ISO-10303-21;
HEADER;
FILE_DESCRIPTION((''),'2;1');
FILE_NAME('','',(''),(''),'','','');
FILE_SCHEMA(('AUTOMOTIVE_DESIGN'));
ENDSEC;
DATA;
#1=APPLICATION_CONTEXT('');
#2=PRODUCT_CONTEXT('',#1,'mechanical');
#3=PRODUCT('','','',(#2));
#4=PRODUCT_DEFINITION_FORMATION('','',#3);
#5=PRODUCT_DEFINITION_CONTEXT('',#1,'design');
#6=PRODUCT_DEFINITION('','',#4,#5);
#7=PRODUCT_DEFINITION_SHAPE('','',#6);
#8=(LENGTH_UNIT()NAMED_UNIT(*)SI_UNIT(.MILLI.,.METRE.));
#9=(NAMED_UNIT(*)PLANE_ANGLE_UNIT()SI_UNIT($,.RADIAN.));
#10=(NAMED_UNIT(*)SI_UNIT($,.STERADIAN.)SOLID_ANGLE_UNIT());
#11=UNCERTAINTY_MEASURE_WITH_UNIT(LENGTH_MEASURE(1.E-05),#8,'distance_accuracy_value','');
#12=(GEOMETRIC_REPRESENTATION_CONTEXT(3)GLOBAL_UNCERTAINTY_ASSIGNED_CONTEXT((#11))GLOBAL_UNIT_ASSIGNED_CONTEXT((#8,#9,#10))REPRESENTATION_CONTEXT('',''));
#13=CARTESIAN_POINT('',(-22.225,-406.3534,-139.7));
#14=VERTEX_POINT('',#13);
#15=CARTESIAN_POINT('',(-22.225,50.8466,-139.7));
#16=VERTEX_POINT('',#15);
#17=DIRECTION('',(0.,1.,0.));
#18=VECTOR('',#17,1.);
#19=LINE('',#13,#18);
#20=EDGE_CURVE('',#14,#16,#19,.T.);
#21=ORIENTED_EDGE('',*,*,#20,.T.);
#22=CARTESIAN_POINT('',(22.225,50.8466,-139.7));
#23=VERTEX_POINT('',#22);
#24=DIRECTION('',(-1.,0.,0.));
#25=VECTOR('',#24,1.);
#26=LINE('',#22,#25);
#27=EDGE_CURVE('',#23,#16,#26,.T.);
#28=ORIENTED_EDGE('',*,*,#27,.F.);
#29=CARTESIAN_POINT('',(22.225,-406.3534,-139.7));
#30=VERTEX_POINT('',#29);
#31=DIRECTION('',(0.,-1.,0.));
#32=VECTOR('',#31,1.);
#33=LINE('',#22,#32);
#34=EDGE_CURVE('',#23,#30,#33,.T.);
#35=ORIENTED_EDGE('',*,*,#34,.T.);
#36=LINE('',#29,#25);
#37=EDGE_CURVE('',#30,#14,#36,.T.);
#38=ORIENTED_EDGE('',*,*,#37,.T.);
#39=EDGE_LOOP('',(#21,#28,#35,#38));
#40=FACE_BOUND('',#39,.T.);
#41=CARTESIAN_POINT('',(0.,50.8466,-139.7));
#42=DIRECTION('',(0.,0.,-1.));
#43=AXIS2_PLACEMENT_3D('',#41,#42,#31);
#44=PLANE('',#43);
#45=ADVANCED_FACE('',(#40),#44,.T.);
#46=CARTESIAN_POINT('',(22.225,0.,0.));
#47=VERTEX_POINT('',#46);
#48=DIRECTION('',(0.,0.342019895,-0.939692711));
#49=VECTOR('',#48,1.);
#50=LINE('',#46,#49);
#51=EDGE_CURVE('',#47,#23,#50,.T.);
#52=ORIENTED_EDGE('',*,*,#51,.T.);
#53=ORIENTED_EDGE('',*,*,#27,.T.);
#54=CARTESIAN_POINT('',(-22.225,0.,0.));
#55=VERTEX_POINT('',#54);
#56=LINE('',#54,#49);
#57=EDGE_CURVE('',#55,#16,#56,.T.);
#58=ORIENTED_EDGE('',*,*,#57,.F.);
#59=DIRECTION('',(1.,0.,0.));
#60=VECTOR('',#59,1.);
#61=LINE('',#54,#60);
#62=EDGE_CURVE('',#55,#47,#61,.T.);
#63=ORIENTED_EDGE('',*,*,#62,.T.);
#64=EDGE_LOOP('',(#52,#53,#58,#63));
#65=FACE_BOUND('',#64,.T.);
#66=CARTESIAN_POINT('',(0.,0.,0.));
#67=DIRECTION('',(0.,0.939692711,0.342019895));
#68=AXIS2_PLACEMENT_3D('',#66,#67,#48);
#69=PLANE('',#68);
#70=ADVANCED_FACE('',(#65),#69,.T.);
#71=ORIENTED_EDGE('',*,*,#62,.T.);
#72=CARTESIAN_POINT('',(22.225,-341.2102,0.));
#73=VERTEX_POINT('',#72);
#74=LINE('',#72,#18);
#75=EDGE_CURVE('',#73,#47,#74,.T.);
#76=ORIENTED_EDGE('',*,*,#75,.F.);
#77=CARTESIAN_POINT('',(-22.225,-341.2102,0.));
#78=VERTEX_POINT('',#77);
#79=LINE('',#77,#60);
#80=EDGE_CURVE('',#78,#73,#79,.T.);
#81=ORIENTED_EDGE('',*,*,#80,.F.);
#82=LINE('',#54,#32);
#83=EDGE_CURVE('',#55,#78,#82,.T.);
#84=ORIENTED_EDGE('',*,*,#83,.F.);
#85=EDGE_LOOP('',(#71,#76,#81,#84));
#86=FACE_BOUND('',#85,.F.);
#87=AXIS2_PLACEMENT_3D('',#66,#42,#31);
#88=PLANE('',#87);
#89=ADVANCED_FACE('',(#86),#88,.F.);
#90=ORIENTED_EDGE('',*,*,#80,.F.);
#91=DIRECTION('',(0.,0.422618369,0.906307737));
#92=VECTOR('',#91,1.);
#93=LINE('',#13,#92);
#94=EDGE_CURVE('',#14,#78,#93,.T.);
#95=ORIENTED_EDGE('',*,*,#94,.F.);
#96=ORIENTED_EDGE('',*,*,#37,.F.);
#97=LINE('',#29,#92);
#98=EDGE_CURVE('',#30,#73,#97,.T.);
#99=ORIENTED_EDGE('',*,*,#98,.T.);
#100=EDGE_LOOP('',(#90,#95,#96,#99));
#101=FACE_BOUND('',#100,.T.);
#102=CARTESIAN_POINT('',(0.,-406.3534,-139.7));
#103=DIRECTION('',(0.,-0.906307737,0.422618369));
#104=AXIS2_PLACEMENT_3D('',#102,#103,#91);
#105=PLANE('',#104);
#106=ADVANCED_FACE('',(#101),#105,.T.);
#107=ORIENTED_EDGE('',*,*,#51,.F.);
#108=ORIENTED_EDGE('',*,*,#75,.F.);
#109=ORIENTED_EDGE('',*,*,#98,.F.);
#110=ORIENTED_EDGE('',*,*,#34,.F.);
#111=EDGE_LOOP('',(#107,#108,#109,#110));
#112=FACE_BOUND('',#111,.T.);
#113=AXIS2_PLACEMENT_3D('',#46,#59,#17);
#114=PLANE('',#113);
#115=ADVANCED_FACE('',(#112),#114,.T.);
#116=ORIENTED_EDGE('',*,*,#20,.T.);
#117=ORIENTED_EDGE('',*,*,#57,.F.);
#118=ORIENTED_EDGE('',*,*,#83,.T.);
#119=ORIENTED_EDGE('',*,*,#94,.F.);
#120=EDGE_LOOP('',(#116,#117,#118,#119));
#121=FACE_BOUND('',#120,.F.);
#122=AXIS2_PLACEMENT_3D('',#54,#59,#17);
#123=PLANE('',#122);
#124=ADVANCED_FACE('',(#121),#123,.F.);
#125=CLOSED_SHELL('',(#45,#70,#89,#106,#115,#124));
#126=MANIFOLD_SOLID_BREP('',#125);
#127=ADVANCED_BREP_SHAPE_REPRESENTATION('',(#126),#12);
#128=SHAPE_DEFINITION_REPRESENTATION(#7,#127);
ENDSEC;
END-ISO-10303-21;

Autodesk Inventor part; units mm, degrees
ref_plane "YZ Plane" through (0, 0, 0) normal (1, 0, 0) x (0, 1, 0)
ref_plane "XZ Plane" through (0, 0, 0) normal (0, 1, 0) x (-1, 0, 0)
sketch "Sketch4" plane through (0, 0, 0) normal (1, 0, 0) x (0, 1, 0)
  line L0 (0, 0) -> (-341.2102, 0)
  line L1 (-341.2102, 0) -> (-246.4184, 0)
  line L2 (-406.3534, -139.7) -> (-50.8466, -139.7)
  line L3 (0, 0) -> (50.8466, -139.7)
  line L4 (50.8466, -139.7) -> (-50.8466, -139.7)
  line L5 (-406.3534, -139.7) -> (-341.2102, 0)
  dimension "d17" = 110
  dimension "d19" = 65
  dimension "d20" = 139.7
  dimension "d21" = 457.2
extrude "Extrusion3" add sketch "Sketch4" along normal mid plane 44.45
ref_plane "Work Plane2" through (0, 0, -69.85) normal (0, 0, 1) x (1, 0, 0)
equation "\"d20\" = depth"
equation "\"d21\" = length"
equation "\"d15\" = width"
equation "\"width\" = 44.45"
equation "\"depth\" = 139.7"
equation "\"d18\" = -0.5 * depth"
equation "\"topAngle\" = 20deg"
equation "\"bottomAngle\" = 25deg"
equation "\"length\" = 457.2"
properties part number "2x6SupportBracket" material "Wood (Walnut)"
